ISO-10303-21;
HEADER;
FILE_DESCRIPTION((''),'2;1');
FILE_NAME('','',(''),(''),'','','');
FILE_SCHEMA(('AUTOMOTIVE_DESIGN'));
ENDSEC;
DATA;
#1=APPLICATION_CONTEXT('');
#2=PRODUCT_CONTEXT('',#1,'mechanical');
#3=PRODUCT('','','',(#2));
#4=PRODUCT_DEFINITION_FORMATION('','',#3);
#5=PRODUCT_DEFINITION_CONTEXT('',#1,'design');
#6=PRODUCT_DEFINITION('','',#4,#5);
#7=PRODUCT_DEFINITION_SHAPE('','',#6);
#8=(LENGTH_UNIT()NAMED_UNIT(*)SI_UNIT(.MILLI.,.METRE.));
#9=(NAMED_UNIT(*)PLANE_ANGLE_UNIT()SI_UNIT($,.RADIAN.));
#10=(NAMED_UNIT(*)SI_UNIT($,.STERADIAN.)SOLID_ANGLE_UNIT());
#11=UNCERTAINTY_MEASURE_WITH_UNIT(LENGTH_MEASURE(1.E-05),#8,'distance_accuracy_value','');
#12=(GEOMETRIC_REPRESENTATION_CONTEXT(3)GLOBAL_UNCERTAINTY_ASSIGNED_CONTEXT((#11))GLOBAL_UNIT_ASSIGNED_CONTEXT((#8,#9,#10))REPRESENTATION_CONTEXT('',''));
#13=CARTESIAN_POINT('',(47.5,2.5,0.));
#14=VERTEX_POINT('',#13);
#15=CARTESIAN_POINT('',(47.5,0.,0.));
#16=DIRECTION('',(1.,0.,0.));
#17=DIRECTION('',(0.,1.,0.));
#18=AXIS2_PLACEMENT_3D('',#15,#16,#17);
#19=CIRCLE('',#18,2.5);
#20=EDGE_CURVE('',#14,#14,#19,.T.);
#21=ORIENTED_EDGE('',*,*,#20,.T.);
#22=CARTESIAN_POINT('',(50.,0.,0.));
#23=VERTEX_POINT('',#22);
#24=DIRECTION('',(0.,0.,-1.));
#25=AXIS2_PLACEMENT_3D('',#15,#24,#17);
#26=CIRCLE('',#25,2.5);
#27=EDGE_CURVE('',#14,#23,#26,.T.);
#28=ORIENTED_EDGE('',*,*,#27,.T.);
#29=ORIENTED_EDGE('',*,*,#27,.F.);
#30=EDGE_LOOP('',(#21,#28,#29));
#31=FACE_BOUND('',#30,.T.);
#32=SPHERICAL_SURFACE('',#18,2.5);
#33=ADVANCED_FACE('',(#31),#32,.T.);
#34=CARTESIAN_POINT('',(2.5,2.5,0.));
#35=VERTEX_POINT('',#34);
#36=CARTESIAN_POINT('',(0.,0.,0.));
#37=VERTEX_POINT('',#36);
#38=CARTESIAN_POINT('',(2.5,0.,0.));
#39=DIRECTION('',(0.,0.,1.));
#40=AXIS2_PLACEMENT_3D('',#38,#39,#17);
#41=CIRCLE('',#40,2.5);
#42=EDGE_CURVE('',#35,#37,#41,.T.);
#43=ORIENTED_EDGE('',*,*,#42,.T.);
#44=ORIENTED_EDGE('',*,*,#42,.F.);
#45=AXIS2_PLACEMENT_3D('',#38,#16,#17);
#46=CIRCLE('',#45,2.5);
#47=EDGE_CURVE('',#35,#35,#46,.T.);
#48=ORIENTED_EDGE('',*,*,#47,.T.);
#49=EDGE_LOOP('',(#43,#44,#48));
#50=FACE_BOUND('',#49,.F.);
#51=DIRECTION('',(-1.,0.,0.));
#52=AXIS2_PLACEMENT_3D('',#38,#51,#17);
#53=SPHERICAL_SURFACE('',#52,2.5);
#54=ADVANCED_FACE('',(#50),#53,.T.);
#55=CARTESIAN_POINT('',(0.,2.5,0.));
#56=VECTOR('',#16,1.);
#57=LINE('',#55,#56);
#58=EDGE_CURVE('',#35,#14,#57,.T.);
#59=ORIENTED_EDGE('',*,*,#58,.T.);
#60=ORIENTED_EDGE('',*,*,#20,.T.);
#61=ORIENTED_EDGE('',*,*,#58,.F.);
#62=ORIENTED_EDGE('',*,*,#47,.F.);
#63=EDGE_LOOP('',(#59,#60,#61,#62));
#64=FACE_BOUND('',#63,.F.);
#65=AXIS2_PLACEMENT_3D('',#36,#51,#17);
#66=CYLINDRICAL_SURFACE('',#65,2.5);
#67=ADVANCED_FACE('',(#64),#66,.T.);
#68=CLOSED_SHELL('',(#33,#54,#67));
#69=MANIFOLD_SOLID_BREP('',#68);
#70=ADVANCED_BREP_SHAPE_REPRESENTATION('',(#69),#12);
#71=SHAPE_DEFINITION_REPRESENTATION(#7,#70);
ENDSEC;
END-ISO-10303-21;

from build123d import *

# Parameters (mm, degrees)
F0_R     = 2.5
F1_DEPTH = 50
F2_R     = 2.5
F3_R     = 2.5


with BuildPart() as f1:
    # F0 (on Right) → F1 (new body)
    with BuildSketch(Plane.YZ):
        Circle(F0_R)
    extrude(amount=F1_DEPTH)

    # F2
    f2_edges = [f1.edges().sort_by_distance(p)[0] for p in [
        (50, -2.5, 0),
    ]]
    fillet(f2_edges, radius=F2_R)

    # F3
    f3_edges = [f1.edges().sort_by_distance(p)[0] for p in [
        (0, -2.5, 0),
    ]]
    fillet(f3_edges, radius=F3_R)


solid = f1.part
